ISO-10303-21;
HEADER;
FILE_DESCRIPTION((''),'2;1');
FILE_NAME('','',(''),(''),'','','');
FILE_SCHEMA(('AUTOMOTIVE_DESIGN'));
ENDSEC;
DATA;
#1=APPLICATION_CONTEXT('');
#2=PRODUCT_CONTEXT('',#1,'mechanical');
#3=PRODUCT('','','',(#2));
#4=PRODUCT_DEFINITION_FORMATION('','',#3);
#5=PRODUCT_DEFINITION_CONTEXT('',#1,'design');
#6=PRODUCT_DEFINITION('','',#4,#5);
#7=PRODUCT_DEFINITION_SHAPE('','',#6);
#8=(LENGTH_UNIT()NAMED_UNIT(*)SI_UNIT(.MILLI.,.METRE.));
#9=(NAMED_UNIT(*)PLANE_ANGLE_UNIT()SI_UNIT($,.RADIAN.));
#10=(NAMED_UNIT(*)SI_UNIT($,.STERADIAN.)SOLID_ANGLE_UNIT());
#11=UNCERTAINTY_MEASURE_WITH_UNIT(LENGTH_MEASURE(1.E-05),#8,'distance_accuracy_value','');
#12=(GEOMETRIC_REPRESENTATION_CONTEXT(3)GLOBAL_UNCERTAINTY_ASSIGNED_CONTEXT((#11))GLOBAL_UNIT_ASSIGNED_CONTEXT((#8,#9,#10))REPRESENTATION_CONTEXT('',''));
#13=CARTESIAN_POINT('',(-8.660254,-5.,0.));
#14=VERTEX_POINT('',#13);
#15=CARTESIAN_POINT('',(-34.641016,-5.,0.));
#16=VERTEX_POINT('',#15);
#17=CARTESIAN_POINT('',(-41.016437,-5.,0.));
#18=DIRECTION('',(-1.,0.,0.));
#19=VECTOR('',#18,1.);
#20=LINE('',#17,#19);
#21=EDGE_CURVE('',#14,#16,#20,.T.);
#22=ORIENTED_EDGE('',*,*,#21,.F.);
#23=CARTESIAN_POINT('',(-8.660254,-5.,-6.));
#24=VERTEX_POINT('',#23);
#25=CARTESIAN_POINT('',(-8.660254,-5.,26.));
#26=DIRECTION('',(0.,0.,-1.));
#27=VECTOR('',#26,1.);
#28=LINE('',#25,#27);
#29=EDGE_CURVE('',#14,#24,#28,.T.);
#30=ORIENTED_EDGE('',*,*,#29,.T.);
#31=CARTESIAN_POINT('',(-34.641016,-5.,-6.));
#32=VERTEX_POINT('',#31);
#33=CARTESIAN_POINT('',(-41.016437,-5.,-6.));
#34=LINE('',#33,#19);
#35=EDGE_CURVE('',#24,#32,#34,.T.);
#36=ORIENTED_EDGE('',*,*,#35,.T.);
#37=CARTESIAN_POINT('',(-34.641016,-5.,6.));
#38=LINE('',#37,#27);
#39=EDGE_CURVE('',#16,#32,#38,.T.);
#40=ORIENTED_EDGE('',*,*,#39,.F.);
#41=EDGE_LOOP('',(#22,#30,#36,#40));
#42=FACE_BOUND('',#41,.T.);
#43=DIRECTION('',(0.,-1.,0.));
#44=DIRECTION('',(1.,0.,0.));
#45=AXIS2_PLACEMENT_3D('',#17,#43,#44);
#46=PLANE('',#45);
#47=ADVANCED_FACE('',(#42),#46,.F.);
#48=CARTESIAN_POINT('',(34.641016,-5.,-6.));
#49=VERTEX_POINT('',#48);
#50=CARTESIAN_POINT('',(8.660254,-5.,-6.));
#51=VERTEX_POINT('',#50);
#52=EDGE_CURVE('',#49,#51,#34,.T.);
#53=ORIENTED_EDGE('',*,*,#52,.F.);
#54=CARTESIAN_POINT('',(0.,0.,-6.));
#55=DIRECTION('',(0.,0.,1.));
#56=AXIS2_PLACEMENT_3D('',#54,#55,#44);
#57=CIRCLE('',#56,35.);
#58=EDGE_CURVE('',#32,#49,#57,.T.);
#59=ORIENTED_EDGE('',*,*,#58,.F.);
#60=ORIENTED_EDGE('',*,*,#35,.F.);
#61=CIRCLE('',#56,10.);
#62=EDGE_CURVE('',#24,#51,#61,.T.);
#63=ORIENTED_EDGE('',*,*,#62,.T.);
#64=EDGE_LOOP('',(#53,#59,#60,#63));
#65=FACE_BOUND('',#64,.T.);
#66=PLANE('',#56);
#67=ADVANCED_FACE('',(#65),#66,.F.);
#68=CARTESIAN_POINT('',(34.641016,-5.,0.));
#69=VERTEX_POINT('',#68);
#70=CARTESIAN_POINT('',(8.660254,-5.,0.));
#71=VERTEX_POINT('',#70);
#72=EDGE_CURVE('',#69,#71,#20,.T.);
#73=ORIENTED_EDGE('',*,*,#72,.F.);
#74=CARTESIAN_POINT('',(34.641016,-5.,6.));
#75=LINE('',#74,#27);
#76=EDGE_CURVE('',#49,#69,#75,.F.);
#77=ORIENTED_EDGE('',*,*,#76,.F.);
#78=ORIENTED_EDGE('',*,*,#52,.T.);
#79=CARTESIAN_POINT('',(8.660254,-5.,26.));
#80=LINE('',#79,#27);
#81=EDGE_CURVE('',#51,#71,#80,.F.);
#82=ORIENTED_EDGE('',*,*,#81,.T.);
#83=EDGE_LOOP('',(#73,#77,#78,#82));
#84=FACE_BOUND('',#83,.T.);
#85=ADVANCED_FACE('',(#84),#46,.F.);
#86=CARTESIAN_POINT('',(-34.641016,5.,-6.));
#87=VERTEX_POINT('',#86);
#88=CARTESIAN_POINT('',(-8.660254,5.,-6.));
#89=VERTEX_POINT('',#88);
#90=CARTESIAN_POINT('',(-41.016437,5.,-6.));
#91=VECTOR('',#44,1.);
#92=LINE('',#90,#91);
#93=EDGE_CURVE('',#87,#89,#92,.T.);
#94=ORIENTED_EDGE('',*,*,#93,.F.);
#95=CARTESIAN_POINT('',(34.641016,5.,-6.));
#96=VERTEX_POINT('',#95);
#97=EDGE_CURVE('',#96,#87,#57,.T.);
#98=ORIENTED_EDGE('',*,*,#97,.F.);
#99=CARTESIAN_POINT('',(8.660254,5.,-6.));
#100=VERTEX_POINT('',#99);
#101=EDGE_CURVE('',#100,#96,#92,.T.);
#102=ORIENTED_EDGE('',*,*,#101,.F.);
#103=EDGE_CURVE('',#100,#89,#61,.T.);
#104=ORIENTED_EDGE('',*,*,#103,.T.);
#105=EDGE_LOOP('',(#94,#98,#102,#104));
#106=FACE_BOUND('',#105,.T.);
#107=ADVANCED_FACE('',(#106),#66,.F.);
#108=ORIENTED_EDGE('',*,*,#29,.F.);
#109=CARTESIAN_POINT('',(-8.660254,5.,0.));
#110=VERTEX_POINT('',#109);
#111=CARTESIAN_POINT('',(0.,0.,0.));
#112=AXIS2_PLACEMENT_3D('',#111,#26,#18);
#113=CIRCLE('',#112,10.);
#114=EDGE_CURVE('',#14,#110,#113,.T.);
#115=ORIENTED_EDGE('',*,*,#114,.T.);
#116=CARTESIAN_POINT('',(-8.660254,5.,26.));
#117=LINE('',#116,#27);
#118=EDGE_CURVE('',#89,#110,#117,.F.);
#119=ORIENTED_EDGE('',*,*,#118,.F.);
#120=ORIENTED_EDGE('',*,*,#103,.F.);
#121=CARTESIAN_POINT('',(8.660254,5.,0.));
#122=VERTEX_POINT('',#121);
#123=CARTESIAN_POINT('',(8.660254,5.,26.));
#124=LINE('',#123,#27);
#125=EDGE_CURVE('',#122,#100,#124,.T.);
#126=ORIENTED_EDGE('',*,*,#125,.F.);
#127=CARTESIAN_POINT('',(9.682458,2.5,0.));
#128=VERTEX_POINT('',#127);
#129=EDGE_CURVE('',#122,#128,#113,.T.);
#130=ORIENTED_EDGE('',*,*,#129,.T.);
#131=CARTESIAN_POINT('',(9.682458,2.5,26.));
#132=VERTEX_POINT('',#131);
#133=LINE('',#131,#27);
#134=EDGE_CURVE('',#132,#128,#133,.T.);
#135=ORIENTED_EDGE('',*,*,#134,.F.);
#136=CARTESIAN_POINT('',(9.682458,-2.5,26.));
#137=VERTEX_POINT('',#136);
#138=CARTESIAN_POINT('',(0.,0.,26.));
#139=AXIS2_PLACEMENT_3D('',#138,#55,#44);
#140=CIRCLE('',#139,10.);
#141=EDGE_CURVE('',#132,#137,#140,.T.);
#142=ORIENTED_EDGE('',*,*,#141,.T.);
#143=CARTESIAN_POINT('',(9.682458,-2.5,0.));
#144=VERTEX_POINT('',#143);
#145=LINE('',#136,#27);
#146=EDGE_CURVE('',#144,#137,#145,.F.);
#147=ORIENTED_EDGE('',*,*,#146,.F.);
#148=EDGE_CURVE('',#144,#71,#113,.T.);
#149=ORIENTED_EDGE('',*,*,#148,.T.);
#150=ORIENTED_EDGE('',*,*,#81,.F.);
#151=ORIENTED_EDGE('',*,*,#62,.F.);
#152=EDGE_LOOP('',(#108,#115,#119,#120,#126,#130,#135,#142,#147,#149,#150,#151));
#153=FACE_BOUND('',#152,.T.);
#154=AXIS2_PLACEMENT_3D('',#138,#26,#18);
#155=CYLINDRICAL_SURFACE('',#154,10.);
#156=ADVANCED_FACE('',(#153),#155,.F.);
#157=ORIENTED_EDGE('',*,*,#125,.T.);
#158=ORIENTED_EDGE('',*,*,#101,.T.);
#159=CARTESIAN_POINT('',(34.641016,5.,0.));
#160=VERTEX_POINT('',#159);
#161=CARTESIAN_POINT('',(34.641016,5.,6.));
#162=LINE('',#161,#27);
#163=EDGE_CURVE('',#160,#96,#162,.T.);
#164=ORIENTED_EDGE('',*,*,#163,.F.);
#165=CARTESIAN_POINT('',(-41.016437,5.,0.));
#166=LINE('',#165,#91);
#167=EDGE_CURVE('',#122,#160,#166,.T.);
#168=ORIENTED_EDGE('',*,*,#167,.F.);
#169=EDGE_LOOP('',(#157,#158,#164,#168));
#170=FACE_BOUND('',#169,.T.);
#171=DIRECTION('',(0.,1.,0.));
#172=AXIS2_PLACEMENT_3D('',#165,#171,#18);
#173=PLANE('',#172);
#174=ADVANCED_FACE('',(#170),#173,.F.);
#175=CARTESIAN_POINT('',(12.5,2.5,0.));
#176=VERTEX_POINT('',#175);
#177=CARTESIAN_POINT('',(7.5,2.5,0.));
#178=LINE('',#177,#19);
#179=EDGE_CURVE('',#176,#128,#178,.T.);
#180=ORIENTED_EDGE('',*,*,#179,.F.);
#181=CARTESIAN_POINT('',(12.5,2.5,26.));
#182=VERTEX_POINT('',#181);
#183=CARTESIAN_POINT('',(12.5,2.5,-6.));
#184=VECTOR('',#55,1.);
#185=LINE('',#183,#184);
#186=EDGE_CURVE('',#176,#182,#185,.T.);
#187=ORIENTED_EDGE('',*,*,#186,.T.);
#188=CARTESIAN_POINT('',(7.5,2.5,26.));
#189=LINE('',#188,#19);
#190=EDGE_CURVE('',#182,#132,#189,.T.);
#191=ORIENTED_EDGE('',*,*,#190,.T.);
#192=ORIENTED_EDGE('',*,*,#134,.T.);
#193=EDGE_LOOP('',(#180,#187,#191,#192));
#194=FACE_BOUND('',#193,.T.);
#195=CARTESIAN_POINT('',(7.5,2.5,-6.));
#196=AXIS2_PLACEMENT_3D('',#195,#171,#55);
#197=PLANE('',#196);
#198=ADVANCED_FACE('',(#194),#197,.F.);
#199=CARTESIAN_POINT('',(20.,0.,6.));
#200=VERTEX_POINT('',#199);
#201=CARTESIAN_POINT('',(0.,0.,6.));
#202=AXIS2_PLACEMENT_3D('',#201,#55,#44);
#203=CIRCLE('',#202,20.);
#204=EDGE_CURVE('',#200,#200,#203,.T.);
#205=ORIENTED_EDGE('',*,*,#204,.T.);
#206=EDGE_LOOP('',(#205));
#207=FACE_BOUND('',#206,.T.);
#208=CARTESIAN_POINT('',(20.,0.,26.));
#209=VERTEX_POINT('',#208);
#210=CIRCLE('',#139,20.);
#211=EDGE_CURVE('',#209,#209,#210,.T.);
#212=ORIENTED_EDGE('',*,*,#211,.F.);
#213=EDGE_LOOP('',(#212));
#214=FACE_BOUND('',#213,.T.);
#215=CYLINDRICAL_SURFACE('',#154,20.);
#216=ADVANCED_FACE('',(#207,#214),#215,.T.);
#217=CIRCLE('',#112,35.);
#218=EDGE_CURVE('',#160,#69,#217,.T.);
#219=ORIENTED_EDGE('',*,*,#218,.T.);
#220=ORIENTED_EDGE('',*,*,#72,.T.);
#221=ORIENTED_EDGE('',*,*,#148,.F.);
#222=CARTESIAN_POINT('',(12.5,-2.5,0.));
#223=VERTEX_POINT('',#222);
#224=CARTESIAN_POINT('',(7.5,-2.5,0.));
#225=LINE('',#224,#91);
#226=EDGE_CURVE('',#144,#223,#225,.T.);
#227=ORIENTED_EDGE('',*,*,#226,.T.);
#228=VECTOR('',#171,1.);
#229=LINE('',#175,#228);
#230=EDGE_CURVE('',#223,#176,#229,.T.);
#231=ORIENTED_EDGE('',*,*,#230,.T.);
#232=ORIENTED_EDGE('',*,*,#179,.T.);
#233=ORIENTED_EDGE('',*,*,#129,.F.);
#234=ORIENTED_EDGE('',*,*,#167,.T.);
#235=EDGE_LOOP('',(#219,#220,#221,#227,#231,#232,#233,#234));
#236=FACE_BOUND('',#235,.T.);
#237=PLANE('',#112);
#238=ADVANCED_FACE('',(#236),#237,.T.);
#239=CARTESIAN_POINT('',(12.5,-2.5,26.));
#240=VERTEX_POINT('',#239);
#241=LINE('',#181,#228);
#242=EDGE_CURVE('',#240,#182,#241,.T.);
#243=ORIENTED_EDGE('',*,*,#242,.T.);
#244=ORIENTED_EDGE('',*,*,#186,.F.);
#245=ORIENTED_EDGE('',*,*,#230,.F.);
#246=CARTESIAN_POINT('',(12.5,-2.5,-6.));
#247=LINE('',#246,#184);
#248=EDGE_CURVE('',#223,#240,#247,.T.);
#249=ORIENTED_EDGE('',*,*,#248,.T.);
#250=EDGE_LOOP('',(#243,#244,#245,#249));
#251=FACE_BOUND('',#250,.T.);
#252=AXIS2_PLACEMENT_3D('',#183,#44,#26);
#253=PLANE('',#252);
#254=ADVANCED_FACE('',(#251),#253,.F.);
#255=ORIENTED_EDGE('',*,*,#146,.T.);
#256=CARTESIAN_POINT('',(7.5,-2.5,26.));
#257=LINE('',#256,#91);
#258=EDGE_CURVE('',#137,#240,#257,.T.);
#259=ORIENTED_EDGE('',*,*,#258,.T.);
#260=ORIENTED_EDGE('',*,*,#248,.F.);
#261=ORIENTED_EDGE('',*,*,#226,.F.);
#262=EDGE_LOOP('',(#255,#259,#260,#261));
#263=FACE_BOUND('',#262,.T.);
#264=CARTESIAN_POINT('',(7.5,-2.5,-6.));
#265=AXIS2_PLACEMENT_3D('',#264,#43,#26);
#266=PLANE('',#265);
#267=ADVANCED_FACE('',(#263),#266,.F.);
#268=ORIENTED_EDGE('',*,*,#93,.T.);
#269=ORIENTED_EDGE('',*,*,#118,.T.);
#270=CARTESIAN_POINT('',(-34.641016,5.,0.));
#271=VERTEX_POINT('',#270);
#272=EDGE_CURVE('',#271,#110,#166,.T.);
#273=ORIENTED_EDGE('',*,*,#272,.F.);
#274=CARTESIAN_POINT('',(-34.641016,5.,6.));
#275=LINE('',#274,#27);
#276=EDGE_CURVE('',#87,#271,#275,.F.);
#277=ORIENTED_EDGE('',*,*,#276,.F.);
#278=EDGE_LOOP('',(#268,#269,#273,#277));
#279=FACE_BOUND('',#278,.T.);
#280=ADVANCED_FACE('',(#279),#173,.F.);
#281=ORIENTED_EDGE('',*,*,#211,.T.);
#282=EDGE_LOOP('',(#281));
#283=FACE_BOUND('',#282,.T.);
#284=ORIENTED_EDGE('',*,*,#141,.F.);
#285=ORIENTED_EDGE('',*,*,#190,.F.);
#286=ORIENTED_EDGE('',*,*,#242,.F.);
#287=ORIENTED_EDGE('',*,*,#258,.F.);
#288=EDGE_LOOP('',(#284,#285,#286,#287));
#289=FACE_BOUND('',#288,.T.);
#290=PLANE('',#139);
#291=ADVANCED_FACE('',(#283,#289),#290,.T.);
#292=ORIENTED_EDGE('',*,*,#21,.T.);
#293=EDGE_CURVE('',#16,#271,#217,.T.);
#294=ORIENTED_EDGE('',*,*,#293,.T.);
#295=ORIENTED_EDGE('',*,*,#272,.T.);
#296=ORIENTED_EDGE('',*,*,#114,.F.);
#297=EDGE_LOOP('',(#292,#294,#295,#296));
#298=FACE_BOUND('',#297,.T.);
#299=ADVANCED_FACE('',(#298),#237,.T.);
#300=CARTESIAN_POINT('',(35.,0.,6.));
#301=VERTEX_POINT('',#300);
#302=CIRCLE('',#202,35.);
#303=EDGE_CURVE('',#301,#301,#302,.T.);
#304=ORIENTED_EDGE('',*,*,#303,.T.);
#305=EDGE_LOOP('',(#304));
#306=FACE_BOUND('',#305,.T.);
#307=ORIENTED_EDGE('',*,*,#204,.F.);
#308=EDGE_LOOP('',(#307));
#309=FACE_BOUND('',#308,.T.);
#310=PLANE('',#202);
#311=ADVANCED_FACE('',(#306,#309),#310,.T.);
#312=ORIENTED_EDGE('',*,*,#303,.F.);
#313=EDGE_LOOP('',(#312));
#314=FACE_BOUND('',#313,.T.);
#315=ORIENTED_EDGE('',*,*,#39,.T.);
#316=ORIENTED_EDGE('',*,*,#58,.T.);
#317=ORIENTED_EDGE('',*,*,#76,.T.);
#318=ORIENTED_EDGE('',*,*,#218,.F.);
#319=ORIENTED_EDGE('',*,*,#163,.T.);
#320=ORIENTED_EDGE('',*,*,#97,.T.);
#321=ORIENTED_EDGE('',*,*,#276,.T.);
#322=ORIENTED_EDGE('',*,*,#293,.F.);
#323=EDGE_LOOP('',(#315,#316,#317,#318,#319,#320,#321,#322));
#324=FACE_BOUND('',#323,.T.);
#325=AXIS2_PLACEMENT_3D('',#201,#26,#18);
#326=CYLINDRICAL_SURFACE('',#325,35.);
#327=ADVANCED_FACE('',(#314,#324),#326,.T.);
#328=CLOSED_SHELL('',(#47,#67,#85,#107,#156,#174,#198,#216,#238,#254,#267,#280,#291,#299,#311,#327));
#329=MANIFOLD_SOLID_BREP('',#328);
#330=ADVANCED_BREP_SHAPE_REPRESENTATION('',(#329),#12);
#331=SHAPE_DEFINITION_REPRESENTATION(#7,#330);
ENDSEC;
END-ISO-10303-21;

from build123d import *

# Parameters (mm, degrees)
SKETCH1_R           = 35
BOSS_EXTRUDE1_DEPTH = 6
SKETCH2_R           = 20
SKETCH2_R_2         = 10
BOSS_EXTRUDE2_DEPTH = 20
CUT_EXTRUDE1_START  = -20
SKETCH3_R           = 10
CUT_EXTRUDE1_DEPTH  = 20
SKETCH4_W           = 5
SKETCH4_H           = 5
CUT_EXTRUDE2_DEPTH  = 59.940648113
SKETCH5_W           = 82.032874524
SKETCH5_H           = 10
CUT_EXTRUDE3_DEPTH  = 6


with BuildPart() as part:
    # Sketch1 → Boss-Extrude1 (new, symmetric)
    with BuildSketch(Plane.XY):
        Circle(SKETCH1_R)
    extrude(amount=BOSS_EXTRUDE1_DEPTH, both=True)

    # Sketch2 → Boss-Extrude2 (add)
    with BuildSketch(Plane.XY.offset(6)):
        Circle(SKETCH2_R)
        Circle(SKETCH2_R_2, mode=Mode.SUBTRACT)
    extrude(amount=BOSS_EXTRUDE2_DEPTH)

    # Sketch3 → Cut-Extrude1 (cut)
    with BuildSketch(Plane.XY.offset(6).offset(CUT_EXTRUDE1_START)):
        Circle(SKETCH3_R)
    extrude(amount=CUT_EXTRUDE1_DEPTH, mode=Mode.SUBTRACT)

    # Sketch4 → Cut-Extrude2 (cut, through all)
    with BuildSketch(Plane.XY.offset(26)):
        with Locations((10, 0)):
            Rectangle(SKETCH4_W, SKETCH4_H)
    extrude(amount=-CUT_EXTRUDE2_DEPTH, mode=Mode.SUBTRACT)

    # Sketch5 → Cut-Extrude3 (cut)
    with BuildSketch(Plane(origin=(0, 0, -6), x_dir=(-1, 0, 0), z_dir=(0, 0, -1))):
        Rectangle(SKETCH5_W, SKETCH5_H)
    extrude(amount=-CUT_EXTRUDE3_DEPTH, mode=Mode.SUBTRACT)


solid = part.part
